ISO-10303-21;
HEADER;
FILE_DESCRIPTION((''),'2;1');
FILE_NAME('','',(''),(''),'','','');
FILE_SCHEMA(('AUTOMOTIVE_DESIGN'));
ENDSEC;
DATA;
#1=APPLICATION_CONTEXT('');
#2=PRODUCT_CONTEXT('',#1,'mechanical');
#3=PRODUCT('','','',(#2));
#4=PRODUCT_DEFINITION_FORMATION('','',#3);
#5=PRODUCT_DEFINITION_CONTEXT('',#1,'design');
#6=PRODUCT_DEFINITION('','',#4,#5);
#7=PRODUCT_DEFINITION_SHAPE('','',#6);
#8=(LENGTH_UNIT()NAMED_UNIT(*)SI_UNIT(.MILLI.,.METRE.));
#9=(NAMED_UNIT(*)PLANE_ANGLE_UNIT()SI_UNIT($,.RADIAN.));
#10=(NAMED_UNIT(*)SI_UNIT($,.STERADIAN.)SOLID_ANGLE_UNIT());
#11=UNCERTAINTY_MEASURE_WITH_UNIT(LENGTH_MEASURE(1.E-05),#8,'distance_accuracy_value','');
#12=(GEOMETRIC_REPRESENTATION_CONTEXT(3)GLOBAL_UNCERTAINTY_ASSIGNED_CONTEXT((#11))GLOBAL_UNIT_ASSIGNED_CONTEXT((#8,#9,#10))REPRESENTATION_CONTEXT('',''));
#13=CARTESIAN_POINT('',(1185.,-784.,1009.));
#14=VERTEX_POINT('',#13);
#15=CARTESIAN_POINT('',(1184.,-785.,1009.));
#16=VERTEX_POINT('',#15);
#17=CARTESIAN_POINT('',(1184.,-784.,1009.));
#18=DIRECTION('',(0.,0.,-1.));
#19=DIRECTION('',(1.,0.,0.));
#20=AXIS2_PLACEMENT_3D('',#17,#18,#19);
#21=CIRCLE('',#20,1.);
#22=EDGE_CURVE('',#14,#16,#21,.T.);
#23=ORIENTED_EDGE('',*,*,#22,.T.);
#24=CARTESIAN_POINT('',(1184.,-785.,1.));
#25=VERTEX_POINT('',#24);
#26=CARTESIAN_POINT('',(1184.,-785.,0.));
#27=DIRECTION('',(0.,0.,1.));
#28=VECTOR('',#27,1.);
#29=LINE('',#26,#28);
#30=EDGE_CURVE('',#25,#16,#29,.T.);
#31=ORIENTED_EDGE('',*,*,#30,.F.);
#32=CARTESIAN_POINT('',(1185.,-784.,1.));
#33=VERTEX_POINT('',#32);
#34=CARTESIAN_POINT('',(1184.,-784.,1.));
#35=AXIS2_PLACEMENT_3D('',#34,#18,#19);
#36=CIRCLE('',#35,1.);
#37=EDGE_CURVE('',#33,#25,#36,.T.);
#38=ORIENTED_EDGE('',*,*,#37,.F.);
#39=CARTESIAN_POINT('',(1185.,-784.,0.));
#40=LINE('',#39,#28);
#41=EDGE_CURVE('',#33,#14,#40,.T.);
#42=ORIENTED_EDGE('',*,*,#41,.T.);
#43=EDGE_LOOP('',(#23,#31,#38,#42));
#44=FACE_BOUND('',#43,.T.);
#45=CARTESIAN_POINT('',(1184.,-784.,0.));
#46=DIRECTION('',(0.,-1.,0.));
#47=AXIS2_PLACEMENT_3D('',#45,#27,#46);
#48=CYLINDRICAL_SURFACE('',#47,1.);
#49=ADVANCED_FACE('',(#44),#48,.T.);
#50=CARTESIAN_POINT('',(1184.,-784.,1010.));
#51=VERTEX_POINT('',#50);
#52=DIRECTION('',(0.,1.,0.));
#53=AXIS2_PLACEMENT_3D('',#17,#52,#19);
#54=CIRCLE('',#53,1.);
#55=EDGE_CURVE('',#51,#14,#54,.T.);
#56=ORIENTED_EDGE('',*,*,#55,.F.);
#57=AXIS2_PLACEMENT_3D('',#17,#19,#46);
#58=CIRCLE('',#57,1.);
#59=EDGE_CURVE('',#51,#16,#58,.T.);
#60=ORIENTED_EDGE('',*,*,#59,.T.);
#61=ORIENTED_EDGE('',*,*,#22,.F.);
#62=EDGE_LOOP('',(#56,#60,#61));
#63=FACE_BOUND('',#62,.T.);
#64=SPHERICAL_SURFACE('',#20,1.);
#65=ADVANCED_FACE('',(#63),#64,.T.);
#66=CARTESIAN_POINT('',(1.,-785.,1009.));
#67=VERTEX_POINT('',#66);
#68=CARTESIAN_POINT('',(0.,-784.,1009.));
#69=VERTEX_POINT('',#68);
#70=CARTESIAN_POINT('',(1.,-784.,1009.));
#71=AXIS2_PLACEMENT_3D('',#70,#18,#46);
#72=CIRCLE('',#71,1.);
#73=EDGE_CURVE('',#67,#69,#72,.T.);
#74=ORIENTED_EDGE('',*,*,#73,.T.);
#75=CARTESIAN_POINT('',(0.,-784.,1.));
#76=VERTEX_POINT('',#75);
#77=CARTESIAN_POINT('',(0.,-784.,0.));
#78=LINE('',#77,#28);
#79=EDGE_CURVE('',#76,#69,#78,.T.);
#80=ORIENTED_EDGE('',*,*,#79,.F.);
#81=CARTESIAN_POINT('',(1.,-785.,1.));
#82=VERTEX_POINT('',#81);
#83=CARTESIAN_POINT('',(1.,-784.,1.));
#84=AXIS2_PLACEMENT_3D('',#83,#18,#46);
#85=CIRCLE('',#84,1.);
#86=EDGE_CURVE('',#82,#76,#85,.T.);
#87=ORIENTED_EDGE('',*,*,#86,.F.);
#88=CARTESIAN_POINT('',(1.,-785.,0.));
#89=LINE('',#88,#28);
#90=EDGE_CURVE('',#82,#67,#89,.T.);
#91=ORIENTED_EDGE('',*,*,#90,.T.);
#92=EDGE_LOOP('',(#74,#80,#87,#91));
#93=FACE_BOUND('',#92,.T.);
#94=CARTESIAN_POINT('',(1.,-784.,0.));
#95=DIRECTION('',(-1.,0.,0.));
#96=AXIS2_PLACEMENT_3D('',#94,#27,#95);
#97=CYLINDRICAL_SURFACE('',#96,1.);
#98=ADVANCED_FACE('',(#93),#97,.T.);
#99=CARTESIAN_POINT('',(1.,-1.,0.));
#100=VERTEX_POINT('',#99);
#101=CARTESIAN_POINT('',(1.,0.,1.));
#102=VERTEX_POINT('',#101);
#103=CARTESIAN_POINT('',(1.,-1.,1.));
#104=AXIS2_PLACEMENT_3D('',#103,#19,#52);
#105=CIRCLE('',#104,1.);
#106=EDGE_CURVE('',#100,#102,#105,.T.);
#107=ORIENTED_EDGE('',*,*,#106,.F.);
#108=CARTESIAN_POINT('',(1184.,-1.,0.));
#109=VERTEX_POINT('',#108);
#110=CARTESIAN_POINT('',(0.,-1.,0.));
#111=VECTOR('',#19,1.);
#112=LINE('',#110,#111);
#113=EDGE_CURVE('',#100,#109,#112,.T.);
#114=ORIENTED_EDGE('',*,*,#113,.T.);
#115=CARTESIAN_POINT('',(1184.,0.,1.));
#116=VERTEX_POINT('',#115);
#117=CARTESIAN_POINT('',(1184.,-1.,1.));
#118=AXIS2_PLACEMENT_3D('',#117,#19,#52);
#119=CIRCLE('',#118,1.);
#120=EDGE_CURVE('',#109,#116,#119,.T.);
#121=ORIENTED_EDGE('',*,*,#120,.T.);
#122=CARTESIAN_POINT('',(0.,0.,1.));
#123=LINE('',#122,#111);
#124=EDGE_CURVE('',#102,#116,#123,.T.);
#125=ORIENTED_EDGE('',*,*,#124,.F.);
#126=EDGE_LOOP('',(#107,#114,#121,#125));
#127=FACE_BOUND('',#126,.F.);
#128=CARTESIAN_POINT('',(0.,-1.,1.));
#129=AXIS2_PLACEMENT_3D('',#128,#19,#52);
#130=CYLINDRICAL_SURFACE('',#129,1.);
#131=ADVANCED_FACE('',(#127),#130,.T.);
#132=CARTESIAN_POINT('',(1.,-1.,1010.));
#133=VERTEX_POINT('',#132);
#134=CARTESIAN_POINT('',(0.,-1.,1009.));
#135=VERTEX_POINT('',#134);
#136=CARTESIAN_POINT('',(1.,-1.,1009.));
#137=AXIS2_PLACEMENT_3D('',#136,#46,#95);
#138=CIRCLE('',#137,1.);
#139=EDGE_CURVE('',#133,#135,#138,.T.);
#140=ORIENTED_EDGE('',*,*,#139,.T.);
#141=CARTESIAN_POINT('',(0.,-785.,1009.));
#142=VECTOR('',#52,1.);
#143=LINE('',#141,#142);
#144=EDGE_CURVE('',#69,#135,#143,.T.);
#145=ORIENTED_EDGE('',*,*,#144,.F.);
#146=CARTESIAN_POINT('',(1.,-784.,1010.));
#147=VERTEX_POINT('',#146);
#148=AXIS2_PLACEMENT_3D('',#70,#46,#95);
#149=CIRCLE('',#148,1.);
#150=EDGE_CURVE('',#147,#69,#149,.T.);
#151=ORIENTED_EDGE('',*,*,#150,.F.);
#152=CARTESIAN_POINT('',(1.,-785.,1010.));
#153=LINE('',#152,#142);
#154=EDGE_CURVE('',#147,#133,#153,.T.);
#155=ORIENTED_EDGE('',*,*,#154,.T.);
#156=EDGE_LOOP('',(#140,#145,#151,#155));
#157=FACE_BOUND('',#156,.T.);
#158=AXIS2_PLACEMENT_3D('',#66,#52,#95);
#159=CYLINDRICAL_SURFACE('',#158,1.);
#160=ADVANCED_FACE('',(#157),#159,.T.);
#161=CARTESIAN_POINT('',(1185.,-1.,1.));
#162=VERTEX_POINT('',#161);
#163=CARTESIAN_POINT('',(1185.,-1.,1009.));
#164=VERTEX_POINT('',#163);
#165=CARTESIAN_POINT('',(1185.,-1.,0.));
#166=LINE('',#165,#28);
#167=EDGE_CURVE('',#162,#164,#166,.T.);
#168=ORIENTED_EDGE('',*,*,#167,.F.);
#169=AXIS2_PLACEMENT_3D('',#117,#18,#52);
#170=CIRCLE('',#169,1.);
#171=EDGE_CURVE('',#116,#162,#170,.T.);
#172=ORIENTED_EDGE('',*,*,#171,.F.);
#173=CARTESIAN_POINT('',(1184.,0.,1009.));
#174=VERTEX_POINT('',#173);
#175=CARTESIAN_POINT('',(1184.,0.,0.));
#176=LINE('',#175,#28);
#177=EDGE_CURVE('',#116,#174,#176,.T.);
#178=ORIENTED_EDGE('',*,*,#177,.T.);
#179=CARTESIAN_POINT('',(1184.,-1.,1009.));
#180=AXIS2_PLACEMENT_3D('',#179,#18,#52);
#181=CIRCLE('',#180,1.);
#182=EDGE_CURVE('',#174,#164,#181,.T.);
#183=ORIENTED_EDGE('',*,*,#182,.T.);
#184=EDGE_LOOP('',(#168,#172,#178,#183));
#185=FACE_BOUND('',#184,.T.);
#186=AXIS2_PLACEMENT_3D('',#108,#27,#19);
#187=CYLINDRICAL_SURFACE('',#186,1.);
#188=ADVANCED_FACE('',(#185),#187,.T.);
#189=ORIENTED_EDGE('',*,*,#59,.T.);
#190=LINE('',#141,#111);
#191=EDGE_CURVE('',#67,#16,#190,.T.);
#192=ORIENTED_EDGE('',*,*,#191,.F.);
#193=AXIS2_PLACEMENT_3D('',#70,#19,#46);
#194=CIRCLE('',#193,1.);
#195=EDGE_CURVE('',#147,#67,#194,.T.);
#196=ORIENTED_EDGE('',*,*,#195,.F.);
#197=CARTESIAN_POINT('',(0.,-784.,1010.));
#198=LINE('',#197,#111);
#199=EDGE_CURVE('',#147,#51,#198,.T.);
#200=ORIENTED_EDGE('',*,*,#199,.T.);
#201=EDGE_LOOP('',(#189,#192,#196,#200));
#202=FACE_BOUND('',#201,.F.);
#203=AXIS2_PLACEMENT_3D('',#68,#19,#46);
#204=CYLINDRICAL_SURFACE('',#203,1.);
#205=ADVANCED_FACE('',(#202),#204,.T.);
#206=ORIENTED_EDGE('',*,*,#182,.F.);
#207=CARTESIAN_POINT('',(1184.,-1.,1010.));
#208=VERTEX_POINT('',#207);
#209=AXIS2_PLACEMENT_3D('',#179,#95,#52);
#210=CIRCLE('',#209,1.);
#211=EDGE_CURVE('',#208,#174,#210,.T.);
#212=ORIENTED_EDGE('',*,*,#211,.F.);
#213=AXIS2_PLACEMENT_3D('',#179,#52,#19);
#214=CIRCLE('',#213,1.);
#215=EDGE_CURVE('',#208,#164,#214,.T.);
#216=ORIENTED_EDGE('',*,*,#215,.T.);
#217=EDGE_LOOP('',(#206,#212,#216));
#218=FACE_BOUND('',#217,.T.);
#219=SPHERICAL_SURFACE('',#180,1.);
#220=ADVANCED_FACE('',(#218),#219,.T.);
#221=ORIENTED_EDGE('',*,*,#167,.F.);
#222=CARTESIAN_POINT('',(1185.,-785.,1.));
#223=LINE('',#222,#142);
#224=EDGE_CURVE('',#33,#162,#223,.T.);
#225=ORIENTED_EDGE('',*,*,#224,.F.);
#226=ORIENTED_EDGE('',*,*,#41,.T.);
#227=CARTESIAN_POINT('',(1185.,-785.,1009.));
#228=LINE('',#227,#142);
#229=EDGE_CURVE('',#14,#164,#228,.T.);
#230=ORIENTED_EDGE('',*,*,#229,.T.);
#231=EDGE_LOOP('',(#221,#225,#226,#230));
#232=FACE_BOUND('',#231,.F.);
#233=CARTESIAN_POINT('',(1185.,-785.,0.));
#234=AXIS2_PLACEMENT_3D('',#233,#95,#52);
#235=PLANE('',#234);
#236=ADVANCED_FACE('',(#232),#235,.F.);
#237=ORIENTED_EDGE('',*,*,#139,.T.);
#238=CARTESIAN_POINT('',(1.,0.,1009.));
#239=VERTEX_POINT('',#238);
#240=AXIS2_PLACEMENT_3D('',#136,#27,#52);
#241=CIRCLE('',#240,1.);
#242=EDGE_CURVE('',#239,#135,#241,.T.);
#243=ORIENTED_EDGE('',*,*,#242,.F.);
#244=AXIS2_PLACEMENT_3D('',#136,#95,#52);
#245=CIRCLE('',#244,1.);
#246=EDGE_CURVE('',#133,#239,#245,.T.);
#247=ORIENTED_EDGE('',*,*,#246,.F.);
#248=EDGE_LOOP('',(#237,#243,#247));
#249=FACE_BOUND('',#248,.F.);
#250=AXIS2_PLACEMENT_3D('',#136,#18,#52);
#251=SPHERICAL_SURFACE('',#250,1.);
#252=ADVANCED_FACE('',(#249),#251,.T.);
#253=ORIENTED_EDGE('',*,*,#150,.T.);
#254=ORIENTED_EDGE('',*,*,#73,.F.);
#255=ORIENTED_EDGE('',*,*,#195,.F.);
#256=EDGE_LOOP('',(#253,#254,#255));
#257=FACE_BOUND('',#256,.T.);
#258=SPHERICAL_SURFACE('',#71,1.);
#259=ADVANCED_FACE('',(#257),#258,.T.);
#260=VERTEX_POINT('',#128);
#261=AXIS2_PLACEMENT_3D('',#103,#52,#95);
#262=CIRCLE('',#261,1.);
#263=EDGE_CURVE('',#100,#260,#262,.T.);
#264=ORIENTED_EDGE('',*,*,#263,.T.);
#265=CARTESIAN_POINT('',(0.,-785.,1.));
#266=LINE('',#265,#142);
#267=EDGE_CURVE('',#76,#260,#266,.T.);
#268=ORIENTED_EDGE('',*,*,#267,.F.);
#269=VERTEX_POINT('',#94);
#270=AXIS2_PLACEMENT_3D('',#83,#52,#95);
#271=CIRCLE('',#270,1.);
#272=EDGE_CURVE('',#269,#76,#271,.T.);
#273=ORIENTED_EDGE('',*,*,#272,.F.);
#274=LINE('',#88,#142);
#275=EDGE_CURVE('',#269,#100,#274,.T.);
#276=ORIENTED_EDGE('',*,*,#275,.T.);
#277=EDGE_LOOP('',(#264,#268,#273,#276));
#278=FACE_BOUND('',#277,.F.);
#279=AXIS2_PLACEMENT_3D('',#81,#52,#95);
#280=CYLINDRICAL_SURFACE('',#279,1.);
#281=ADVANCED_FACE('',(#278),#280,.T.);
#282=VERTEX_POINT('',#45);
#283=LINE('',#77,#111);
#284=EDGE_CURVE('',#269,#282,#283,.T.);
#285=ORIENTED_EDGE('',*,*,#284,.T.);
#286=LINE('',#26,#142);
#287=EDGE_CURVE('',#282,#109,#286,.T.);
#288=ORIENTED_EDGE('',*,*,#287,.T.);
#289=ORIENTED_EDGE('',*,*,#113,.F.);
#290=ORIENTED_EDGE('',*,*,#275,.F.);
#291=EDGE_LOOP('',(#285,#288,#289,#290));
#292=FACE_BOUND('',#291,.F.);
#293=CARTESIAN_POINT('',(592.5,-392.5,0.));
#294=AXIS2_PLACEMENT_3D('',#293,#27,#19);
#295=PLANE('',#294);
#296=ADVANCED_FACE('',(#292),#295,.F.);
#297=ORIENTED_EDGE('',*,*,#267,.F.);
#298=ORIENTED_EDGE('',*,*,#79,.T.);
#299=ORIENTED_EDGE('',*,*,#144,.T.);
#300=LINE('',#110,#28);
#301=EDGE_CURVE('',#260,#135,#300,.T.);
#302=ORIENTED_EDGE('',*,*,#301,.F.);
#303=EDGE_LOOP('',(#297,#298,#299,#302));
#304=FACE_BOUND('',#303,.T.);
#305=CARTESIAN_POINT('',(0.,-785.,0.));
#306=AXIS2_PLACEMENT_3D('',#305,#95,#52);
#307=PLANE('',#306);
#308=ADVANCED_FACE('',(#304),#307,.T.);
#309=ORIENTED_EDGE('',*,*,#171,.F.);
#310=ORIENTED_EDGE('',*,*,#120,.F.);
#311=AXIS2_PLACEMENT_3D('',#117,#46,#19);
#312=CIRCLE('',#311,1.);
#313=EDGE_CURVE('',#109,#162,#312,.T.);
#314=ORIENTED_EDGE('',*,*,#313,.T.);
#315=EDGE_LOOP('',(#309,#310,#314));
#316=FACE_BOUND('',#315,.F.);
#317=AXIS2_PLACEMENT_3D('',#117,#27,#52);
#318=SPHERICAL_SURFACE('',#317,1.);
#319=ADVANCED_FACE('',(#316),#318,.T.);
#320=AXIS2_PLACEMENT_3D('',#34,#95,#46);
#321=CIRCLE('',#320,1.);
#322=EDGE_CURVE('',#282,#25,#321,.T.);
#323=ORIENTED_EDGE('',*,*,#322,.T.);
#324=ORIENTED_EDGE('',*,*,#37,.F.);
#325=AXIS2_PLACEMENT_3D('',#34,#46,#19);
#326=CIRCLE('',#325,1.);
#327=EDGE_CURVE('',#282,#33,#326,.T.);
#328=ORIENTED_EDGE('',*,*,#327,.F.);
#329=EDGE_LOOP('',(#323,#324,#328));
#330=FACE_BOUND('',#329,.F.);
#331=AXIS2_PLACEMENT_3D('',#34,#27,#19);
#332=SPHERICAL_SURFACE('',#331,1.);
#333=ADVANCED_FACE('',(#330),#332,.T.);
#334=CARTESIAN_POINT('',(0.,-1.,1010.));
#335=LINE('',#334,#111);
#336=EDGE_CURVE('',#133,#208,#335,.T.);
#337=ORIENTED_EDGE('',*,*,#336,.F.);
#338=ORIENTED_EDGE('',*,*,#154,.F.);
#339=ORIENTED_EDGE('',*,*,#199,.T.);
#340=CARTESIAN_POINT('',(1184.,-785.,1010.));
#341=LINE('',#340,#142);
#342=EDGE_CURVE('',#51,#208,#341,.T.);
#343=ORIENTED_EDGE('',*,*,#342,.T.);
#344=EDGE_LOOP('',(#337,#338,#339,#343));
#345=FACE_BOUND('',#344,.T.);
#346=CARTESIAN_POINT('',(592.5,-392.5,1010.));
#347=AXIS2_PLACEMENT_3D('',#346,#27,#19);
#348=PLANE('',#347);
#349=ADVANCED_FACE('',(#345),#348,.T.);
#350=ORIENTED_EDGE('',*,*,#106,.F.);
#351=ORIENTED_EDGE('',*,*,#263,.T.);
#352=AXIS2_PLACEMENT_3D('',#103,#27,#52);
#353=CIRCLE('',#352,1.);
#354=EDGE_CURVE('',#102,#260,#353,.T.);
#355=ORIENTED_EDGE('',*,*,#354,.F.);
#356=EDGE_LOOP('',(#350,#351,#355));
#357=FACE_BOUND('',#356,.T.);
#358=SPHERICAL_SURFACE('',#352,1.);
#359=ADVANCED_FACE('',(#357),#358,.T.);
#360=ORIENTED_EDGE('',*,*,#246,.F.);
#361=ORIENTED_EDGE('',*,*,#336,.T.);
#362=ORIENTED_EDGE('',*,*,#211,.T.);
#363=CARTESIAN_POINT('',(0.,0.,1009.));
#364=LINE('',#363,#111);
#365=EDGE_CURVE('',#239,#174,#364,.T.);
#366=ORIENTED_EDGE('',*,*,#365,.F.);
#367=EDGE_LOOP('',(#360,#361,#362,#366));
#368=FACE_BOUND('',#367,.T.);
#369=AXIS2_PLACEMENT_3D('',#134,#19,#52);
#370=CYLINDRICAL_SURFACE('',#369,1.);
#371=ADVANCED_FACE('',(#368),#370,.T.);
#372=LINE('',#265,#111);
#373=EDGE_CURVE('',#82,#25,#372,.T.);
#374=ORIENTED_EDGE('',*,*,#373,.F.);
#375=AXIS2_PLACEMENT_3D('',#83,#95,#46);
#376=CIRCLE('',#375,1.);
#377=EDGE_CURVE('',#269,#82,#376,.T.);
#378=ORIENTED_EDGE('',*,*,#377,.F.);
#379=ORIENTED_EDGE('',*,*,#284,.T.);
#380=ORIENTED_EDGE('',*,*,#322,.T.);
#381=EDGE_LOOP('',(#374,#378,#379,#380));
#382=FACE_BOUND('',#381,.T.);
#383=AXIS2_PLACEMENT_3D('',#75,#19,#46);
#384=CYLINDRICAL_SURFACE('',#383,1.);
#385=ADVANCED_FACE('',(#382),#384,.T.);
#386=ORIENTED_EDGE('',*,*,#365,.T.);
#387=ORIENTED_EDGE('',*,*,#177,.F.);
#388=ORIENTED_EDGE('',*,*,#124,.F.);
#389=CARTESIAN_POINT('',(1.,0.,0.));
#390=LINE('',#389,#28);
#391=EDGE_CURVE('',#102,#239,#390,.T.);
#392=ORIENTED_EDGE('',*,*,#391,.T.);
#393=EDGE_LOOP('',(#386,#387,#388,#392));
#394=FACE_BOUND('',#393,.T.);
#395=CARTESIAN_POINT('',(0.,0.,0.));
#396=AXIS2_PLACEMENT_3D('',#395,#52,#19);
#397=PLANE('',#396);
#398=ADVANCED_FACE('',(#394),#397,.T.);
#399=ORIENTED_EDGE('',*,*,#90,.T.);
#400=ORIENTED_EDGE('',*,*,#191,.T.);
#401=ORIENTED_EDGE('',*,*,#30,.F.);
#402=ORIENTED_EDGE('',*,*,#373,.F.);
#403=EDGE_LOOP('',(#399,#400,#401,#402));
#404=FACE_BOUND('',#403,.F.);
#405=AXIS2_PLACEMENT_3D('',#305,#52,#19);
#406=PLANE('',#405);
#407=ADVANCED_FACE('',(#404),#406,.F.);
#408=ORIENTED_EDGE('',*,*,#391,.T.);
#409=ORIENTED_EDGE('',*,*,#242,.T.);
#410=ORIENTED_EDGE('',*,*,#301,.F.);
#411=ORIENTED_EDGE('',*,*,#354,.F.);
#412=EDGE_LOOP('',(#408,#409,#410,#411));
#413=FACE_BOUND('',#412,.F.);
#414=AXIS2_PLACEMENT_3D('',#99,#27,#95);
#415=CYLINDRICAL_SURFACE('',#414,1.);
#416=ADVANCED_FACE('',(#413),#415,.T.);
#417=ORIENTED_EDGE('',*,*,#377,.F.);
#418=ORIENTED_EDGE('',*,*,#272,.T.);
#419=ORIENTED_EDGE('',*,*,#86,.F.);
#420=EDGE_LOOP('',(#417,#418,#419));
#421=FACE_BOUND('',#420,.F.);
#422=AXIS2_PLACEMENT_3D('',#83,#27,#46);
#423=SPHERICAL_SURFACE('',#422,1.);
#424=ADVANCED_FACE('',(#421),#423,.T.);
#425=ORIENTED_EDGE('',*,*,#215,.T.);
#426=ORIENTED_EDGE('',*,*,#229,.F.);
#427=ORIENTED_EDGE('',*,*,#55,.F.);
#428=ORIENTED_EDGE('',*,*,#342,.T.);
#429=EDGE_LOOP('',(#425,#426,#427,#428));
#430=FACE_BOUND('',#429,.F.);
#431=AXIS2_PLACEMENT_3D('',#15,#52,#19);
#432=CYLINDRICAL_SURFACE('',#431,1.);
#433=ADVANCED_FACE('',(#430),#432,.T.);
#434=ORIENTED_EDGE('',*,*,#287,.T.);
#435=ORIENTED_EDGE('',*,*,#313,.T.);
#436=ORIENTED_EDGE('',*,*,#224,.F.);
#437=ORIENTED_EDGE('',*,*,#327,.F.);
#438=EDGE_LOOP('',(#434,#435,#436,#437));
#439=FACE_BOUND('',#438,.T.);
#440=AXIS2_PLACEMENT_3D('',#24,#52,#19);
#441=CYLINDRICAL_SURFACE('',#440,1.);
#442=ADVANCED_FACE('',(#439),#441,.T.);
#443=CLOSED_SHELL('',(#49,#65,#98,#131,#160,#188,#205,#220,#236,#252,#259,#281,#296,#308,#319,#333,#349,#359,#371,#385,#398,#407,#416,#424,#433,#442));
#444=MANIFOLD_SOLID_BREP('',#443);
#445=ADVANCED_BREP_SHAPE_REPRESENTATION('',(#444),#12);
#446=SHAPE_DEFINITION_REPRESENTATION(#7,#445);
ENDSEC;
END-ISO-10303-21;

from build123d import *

# Parameters (mm, degrees)
SKETCH_W  = 1185
SKETCH_H  = 785
PAD_DEPTH = 1010
FILLET_R  = 1


with BuildPart() as part:
    # Sketch → Pad (new body)
    with BuildSketch(Plane.XY):
        with Locations((592.5, -392.5)):
            Rectangle(SKETCH_W, SKETCH_H)
    extrude(amount=PAD_DEPTH)

    # Fillet
    fillet_edges = [part.edges().sort_by_distance(p)[0] for p in [
        (0, 0, 505),
        (1185, 0, 505),
        (592.5, 0, 0),
        (592.5, 0, 1010),
        (1185, -785, 505),
        (1185, -392.5, 0),
        (1185, -392.5, 1010),
        (0, -785, 505),
        (592.5, -785, 0),
        (592.5, -785, 1010),
        (0, -392.5, 0),
        (0, -392.5, 1010),
    ]]
    fillet(fillet_edges, radius=FILLET_R)


solid = part.part
